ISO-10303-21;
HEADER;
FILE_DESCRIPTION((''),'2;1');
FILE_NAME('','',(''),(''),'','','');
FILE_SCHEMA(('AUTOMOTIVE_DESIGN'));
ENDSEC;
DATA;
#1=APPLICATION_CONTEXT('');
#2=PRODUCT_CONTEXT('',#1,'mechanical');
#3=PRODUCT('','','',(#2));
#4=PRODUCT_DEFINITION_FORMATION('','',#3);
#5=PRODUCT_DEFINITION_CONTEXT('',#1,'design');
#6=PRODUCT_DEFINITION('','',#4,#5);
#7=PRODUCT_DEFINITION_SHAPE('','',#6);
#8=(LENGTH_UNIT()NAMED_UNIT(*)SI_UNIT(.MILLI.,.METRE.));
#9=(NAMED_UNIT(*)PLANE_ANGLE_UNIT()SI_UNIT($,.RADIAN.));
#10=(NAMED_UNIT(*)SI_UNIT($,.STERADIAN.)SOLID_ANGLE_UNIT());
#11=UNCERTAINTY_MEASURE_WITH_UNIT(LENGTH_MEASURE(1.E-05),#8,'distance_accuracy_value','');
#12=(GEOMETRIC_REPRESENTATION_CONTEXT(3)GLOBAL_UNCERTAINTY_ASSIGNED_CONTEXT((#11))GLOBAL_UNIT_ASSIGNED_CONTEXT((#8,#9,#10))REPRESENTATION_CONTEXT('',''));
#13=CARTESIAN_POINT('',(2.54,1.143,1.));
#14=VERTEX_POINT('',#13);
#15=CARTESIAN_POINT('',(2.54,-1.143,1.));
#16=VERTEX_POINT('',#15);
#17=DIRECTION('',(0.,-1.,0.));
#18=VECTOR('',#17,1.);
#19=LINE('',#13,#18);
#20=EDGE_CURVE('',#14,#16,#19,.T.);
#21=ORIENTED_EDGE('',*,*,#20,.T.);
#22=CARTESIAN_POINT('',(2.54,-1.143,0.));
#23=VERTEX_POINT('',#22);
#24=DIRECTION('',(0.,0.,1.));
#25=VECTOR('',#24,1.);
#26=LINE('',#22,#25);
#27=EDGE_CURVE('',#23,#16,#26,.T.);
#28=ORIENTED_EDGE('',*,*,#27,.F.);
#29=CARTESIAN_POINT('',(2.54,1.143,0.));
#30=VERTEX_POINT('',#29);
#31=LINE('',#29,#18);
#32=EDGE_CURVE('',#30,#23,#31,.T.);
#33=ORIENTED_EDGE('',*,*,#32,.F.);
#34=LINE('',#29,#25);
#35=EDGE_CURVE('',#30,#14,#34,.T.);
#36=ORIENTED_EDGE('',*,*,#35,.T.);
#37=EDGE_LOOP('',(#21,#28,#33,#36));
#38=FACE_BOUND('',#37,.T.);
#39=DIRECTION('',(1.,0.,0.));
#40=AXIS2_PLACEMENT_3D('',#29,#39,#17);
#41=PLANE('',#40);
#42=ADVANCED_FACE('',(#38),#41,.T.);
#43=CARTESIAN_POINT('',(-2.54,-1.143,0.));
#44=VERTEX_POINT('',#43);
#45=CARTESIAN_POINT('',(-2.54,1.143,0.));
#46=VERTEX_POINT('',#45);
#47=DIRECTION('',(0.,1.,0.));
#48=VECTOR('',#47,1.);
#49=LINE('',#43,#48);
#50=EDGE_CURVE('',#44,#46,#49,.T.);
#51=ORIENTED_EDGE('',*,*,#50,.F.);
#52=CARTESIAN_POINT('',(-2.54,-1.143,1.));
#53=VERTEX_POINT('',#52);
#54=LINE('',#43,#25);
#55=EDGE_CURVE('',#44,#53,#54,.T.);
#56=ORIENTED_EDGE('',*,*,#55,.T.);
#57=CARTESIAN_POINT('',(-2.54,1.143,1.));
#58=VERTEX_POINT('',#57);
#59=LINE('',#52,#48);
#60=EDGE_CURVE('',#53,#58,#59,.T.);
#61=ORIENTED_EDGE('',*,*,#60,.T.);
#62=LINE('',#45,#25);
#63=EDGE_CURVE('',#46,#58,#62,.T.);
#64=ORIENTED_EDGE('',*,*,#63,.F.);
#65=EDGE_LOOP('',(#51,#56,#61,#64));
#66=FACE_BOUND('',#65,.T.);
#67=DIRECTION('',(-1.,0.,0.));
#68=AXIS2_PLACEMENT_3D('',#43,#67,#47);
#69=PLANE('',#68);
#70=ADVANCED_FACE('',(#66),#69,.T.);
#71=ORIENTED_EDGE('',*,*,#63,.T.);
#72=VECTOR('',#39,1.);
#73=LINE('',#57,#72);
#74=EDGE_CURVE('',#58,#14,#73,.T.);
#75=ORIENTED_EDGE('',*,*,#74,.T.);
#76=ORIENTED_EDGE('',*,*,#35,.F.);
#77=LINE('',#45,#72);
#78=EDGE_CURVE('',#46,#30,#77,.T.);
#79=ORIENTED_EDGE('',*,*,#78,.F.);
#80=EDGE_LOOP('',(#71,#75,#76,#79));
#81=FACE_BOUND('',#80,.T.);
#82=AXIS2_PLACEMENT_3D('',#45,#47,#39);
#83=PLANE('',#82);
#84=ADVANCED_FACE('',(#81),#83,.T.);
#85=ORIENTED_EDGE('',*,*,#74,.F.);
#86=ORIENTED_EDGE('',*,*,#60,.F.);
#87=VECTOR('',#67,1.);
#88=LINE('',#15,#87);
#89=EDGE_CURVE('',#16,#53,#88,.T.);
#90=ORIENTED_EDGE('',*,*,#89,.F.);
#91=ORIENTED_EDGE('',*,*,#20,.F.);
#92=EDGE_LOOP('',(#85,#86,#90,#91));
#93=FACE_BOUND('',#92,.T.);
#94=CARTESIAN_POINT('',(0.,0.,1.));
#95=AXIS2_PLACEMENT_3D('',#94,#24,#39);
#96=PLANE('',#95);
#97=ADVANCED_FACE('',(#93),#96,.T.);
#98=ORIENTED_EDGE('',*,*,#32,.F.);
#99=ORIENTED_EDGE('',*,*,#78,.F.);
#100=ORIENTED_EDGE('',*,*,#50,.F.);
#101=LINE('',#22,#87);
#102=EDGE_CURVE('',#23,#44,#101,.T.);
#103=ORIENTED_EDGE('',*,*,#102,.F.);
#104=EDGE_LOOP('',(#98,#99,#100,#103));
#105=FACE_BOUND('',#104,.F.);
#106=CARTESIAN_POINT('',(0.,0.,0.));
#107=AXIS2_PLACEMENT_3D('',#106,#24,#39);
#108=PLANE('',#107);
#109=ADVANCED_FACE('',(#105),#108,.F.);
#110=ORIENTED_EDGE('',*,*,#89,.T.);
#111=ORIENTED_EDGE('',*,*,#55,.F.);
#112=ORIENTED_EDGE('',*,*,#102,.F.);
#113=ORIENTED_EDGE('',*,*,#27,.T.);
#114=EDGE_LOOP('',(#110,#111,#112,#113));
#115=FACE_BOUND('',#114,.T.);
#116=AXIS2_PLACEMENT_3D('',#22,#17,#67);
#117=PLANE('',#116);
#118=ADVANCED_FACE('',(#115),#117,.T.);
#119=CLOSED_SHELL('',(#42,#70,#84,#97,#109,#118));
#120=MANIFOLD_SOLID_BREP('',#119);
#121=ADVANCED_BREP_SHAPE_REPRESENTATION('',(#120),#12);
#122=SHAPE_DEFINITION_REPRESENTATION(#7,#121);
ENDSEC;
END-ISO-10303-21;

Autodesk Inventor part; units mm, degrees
ref_plane "YZ Plane" through (0, 0, 0) normal (1, 0, 0) x (0, 1, 0)
ref_plane "XZ Plane" through (0, 0, 0) normal (0, 1, 0) x (-1, 0, 0)
ref_plane "XY Plane" through (0, 0, 0) normal (0, 0, 1) x (1, 0, 0)
sketch "C050-024X044, C050-024X044_26" plane through (0, 0, 0) normal (0, 0, 1) x (1, 0, 0)
  line L0 (-2.54, 1.143) -> (2.54, 1.143)
  line L1 (2.54, 1.143) -> (2.54, -1.143)
  line L2 (2.54, -1.143) -> (-2.54, -1.143)
  line L3 (-2.54, -1.143) -> (-2.54, 1.143)
extrude "Extrusion1" add sketch "C050-024X044, C050-024X044_26" along normal blind 1
properties part number "C050-024X044"
